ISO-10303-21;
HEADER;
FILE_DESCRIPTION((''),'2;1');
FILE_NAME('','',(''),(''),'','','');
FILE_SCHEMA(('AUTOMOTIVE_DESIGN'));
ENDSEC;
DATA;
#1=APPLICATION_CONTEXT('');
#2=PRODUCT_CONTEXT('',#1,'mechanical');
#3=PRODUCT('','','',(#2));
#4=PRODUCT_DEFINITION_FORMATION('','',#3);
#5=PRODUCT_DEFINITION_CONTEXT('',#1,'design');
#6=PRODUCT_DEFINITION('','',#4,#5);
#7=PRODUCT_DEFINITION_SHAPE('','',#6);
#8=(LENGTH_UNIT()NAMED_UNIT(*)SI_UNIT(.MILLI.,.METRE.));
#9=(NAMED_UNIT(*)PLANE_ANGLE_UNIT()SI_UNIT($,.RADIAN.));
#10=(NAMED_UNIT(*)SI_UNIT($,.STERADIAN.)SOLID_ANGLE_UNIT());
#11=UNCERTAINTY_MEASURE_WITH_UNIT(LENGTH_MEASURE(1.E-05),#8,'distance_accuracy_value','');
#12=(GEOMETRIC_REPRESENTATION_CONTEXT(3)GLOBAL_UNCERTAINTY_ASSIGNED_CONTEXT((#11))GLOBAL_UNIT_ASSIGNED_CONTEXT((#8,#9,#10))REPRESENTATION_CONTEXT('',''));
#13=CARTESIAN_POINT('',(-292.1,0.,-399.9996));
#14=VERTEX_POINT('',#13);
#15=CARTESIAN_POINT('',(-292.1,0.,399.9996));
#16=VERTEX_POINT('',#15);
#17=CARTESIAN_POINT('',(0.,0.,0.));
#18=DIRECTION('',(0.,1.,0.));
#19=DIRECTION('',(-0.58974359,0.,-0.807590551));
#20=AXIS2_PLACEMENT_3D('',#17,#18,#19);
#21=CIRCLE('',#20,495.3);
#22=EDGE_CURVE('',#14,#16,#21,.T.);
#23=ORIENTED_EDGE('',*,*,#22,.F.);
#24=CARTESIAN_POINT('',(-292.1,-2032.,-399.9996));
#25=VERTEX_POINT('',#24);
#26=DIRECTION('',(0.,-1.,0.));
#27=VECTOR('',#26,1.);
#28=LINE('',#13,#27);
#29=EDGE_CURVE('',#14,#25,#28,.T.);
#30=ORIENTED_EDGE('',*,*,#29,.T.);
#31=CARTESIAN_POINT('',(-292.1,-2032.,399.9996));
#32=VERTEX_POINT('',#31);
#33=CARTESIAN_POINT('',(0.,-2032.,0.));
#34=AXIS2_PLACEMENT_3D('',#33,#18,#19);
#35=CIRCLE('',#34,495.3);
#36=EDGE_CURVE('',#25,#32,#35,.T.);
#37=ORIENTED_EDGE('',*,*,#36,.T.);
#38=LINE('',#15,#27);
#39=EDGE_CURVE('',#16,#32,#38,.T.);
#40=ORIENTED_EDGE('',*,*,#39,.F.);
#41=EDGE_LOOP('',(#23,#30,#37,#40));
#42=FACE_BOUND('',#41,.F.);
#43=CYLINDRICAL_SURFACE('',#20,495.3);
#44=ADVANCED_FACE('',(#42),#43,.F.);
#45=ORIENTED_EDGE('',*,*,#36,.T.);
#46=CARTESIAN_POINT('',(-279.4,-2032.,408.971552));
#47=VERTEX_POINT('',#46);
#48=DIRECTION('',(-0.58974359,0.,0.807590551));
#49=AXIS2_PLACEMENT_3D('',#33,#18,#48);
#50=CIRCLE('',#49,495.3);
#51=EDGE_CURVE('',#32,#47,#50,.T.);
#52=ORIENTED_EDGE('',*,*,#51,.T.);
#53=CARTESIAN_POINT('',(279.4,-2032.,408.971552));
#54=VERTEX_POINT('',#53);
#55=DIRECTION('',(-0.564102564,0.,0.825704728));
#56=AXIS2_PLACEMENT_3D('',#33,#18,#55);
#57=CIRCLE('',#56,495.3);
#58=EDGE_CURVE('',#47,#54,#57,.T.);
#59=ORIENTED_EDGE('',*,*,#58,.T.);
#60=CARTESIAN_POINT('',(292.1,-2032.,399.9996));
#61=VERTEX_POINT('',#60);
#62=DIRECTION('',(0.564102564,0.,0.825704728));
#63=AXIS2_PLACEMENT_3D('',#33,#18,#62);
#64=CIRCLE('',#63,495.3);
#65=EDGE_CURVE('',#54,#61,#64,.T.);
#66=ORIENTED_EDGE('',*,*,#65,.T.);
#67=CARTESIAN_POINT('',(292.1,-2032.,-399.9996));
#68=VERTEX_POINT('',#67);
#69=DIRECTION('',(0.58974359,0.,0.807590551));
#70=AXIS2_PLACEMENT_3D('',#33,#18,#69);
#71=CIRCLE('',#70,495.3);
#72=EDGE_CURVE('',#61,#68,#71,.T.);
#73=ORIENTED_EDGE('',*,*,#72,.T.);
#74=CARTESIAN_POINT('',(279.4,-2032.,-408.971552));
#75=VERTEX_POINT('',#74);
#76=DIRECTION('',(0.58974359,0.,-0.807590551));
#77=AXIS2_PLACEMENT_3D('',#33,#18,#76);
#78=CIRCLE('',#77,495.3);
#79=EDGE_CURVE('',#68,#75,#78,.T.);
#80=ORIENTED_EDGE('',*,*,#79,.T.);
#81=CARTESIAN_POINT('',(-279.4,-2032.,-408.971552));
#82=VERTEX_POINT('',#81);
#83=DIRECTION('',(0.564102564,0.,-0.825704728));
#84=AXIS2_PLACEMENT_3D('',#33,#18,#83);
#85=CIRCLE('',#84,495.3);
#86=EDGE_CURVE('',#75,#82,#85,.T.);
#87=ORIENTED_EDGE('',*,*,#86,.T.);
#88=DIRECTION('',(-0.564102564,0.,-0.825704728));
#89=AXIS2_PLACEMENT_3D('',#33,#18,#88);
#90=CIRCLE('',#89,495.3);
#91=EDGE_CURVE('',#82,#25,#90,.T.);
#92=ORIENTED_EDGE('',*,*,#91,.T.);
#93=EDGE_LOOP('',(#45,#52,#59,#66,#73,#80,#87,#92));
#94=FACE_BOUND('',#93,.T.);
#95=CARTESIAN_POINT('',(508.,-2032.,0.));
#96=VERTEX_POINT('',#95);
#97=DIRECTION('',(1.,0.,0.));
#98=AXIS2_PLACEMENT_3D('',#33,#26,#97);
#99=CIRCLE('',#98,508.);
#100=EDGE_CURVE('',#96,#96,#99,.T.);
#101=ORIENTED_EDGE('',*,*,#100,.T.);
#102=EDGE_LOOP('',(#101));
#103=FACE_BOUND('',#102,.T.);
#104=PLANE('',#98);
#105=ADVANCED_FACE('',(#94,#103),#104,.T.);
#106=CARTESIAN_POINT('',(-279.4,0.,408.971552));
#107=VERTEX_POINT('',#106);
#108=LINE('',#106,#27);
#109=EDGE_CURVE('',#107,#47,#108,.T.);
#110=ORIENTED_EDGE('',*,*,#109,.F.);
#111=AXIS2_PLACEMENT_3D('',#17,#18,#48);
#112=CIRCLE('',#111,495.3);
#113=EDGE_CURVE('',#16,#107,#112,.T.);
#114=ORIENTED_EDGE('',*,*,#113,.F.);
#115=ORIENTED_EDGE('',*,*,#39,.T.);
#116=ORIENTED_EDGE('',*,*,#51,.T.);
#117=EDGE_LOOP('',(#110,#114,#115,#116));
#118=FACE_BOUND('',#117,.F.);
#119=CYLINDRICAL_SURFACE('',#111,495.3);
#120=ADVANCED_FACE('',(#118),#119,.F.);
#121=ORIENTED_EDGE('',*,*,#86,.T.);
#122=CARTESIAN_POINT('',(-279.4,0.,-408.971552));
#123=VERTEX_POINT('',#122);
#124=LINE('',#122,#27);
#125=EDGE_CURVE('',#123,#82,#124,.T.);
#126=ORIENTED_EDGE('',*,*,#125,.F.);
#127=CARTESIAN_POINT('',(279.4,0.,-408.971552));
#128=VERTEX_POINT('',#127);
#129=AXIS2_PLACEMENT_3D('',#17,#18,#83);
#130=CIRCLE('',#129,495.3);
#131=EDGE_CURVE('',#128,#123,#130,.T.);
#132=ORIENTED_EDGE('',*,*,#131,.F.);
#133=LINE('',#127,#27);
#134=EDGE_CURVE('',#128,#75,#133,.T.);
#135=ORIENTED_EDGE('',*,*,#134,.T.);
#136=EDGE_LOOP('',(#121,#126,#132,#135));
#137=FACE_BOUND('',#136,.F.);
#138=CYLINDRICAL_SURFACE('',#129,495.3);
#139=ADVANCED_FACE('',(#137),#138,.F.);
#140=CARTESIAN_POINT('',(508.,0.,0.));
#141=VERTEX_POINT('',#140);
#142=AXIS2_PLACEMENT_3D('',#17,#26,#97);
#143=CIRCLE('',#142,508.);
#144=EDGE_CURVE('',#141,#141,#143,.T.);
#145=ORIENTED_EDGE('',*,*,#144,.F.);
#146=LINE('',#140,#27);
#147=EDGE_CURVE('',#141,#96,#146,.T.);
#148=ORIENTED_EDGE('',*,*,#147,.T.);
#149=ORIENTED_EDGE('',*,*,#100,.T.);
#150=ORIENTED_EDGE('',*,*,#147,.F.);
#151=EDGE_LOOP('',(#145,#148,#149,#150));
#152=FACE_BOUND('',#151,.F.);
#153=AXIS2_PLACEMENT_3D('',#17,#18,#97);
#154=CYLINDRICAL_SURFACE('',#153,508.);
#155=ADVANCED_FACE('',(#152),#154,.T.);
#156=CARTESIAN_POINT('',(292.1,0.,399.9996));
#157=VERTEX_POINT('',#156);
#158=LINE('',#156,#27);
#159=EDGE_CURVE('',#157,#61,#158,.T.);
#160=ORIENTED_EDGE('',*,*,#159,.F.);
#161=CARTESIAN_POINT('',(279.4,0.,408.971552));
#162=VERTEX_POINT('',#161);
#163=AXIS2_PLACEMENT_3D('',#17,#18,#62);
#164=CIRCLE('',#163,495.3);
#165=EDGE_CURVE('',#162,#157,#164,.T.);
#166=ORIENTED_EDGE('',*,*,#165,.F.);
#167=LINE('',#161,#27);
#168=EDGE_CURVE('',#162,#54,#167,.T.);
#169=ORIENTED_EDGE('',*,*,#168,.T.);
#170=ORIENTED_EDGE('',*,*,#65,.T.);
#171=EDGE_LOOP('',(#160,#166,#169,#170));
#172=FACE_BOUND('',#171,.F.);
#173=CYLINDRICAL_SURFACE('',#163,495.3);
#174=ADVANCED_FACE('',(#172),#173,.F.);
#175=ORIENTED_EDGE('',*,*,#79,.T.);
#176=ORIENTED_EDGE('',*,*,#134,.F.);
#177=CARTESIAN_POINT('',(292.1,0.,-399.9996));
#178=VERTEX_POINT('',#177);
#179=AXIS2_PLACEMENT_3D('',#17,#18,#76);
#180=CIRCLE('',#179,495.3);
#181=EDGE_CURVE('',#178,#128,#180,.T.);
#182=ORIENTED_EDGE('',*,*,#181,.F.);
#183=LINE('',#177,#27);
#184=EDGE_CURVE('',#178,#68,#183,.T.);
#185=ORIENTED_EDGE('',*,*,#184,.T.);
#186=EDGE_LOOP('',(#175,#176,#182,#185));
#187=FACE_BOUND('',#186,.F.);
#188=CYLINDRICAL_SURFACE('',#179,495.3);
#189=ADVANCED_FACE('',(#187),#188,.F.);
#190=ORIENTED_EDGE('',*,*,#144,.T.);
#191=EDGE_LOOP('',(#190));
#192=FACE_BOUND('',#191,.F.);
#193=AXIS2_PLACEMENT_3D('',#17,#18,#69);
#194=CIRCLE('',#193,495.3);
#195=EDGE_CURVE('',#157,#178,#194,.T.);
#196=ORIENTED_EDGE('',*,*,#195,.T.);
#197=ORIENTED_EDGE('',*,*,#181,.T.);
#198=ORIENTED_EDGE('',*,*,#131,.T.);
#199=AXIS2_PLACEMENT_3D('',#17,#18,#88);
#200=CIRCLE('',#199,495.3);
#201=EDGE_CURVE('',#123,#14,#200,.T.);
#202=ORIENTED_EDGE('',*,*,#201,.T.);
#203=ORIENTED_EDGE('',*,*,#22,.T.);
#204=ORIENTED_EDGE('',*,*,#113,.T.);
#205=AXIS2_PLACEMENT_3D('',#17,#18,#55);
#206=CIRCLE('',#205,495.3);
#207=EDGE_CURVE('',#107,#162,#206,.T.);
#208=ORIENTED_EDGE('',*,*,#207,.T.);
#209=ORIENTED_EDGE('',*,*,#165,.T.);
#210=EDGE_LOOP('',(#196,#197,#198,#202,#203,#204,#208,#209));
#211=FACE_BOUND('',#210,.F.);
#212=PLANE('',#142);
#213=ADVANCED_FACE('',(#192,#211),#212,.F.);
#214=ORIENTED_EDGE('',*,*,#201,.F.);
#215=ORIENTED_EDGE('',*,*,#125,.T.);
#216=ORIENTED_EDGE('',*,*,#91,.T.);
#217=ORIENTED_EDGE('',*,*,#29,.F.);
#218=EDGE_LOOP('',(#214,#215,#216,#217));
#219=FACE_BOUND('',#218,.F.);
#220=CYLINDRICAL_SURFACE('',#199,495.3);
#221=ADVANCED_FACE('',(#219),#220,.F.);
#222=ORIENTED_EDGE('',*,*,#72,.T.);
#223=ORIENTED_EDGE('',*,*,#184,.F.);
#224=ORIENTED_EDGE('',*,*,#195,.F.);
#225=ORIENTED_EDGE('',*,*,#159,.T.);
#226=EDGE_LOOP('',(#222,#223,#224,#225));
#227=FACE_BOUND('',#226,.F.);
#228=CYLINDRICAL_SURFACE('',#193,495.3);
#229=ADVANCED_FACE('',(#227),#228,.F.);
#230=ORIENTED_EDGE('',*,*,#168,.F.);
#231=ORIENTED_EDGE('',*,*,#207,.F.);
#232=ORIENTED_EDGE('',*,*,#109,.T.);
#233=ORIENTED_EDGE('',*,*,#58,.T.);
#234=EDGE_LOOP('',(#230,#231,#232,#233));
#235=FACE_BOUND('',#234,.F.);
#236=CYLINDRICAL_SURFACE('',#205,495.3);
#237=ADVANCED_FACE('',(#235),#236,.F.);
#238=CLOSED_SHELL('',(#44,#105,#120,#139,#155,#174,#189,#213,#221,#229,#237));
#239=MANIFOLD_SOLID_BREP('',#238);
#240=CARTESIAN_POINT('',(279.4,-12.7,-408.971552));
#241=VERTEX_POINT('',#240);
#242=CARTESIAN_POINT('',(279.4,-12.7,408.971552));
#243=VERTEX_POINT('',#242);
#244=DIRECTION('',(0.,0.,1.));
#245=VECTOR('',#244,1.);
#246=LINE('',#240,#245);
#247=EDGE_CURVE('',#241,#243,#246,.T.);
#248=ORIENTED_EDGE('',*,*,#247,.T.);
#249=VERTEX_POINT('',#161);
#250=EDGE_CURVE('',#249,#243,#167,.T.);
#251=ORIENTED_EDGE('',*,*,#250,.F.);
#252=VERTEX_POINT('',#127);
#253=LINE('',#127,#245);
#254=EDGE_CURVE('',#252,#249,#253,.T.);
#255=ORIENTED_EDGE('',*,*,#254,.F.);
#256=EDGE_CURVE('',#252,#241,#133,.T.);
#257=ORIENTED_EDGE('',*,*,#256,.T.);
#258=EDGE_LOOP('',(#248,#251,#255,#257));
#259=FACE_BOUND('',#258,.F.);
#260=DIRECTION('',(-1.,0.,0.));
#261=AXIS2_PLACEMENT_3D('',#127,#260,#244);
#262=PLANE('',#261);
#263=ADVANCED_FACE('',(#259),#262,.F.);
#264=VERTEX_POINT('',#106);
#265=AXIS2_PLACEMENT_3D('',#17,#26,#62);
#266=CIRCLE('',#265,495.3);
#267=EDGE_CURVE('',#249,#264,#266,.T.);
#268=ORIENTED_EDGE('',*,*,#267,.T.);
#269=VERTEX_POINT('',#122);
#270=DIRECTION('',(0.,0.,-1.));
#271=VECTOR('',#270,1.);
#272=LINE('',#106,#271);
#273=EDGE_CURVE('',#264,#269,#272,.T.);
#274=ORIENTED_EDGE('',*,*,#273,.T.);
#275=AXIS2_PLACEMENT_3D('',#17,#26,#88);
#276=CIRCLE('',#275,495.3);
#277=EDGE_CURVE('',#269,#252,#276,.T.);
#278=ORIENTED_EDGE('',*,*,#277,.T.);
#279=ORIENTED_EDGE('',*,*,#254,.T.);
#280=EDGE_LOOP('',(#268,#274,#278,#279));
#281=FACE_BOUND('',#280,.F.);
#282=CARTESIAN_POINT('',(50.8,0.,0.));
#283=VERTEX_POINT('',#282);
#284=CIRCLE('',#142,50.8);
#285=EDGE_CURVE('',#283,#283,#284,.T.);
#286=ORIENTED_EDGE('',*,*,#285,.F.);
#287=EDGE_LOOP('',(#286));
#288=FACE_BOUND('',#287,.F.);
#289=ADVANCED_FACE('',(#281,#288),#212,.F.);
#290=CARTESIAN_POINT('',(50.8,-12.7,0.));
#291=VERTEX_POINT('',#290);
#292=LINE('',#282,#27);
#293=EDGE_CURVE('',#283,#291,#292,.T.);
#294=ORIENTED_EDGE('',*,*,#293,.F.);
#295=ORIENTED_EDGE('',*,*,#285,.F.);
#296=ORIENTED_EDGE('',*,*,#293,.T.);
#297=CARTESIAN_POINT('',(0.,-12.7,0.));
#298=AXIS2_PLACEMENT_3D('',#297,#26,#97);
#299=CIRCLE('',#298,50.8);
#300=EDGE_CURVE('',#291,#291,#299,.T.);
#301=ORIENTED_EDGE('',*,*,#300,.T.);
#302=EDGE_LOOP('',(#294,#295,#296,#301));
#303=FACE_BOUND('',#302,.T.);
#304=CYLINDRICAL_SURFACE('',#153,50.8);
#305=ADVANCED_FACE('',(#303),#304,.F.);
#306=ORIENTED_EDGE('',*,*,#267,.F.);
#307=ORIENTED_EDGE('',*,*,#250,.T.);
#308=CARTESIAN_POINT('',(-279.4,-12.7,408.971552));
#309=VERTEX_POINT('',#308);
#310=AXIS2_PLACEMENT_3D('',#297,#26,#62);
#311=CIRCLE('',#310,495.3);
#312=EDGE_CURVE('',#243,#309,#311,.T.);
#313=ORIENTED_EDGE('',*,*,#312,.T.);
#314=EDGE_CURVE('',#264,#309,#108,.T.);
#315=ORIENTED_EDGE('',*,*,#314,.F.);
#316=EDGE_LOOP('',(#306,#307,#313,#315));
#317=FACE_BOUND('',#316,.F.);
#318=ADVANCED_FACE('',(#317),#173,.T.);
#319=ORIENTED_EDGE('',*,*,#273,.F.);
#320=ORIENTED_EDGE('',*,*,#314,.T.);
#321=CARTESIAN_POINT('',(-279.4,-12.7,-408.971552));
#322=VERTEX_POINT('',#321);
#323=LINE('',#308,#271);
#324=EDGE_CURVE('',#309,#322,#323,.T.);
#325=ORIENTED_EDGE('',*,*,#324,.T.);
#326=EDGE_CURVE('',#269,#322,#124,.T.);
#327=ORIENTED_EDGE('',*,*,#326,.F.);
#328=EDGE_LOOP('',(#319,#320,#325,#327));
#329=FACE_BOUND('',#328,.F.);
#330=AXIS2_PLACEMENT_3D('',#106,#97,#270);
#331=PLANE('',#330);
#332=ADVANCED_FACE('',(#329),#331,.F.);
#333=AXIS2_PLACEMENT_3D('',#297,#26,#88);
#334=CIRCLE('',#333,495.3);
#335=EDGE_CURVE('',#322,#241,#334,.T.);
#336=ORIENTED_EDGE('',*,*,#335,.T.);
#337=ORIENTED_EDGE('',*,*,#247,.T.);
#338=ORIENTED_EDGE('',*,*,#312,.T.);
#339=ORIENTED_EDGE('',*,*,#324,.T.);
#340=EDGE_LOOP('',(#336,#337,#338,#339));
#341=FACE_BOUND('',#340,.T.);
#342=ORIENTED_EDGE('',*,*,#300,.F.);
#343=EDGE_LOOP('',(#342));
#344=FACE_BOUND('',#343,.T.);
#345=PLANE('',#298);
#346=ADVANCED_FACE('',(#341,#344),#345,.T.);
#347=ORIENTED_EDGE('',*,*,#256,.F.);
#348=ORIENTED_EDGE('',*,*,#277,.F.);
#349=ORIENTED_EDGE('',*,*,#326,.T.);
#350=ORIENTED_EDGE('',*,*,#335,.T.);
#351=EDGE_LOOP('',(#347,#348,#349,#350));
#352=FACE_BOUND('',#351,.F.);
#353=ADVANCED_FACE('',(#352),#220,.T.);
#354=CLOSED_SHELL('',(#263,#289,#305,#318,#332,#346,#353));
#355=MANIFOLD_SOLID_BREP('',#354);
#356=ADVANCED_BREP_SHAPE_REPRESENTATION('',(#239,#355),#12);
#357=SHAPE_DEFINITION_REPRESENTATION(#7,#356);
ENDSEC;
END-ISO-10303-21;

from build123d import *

# Parameters (mm, degrees)
F0_R     = 508
F1_DEPTH = 2032
F0_R_2   = 50.8
F2_DEPTH = 12.7
F3_DEPTH = 25.4


with BuildPart() as f1:
    # F0 (on Front) → F1 (new body)
    with BuildSketch(Plane.XZ):
        Circle(F0_R)
        with BuildLine():
            ThreePointArc((292.1, 399.9995999998), (441.5876017281, 224.3267260047), (495.3, 0))
            ThreePointArc((495.3, 0), (441.5876017281, -224.3267260047), (292.1, -399.9995999998))
            ThreePointArc((292.1, -399.9995999998), (285.785210392, -404.5354168935), (279.4, -408.9715515779))
            ThreePointArc((279.4, -408.9715515779), (0, -495.3), (-279.4, -408.9715515779))
            ThreePointArc((-279.4, -408.9715515779), (-285.785210392, -404.5354168935), (-292.1, -399.9995999998))
            ThreePointArc((-292.1, -399.9995999998), (-495.3, 0), (-292.1, 399.9995999998))
            ThreePointArc((-292.1, 399.9995999998), (-285.785210392, 404.5354168935), (-279.4, 408.9715515779))
            ThreePointArc((-279.4, 408.9715515779), (0, 495.3), (279.4, 408.9715515779))
            ThreePointArc((279.4, 408.9715515779), (285.785210392, 404.5354168935), (292.1, 399.9995999998))
        make_face(mode=Mode.SUBTRACT)
    extrude(amount=F1_DEPTH)

    # F0 (on Front) → F3 (cut)
    with BuildSketch(Plane.XZ):
        Circle(F0_R_2)
    extrude(amount=F3_DEPTH, mode=Mode.SUBTRACT)


with BuildPart() as f2:
    # F0 (on Front) → F2 (new body)
    with BuildSketch(Plane.XZ):
        with BuildLine():
            Line((279.4, -408.9715515779), (279.4, 408.9715515779))
            ThreePointArc((279.4, 408.9715515779), (0, 495.3), (-279.4, 408.9715515779))
            Line((-279.4, 408.9715515779), (-279.4, -408.9715515779))
            ThreePointArc((-279.4, -408.9715515779), (0, -495.3), (279.4, -408.9715515779))
        make_face()
        Circle(F0_R_2, mode=Mode.SUBTRACT)
    extrude(amount=F2_DEPTH)


solid = Compound([f1.part, f2.part])
